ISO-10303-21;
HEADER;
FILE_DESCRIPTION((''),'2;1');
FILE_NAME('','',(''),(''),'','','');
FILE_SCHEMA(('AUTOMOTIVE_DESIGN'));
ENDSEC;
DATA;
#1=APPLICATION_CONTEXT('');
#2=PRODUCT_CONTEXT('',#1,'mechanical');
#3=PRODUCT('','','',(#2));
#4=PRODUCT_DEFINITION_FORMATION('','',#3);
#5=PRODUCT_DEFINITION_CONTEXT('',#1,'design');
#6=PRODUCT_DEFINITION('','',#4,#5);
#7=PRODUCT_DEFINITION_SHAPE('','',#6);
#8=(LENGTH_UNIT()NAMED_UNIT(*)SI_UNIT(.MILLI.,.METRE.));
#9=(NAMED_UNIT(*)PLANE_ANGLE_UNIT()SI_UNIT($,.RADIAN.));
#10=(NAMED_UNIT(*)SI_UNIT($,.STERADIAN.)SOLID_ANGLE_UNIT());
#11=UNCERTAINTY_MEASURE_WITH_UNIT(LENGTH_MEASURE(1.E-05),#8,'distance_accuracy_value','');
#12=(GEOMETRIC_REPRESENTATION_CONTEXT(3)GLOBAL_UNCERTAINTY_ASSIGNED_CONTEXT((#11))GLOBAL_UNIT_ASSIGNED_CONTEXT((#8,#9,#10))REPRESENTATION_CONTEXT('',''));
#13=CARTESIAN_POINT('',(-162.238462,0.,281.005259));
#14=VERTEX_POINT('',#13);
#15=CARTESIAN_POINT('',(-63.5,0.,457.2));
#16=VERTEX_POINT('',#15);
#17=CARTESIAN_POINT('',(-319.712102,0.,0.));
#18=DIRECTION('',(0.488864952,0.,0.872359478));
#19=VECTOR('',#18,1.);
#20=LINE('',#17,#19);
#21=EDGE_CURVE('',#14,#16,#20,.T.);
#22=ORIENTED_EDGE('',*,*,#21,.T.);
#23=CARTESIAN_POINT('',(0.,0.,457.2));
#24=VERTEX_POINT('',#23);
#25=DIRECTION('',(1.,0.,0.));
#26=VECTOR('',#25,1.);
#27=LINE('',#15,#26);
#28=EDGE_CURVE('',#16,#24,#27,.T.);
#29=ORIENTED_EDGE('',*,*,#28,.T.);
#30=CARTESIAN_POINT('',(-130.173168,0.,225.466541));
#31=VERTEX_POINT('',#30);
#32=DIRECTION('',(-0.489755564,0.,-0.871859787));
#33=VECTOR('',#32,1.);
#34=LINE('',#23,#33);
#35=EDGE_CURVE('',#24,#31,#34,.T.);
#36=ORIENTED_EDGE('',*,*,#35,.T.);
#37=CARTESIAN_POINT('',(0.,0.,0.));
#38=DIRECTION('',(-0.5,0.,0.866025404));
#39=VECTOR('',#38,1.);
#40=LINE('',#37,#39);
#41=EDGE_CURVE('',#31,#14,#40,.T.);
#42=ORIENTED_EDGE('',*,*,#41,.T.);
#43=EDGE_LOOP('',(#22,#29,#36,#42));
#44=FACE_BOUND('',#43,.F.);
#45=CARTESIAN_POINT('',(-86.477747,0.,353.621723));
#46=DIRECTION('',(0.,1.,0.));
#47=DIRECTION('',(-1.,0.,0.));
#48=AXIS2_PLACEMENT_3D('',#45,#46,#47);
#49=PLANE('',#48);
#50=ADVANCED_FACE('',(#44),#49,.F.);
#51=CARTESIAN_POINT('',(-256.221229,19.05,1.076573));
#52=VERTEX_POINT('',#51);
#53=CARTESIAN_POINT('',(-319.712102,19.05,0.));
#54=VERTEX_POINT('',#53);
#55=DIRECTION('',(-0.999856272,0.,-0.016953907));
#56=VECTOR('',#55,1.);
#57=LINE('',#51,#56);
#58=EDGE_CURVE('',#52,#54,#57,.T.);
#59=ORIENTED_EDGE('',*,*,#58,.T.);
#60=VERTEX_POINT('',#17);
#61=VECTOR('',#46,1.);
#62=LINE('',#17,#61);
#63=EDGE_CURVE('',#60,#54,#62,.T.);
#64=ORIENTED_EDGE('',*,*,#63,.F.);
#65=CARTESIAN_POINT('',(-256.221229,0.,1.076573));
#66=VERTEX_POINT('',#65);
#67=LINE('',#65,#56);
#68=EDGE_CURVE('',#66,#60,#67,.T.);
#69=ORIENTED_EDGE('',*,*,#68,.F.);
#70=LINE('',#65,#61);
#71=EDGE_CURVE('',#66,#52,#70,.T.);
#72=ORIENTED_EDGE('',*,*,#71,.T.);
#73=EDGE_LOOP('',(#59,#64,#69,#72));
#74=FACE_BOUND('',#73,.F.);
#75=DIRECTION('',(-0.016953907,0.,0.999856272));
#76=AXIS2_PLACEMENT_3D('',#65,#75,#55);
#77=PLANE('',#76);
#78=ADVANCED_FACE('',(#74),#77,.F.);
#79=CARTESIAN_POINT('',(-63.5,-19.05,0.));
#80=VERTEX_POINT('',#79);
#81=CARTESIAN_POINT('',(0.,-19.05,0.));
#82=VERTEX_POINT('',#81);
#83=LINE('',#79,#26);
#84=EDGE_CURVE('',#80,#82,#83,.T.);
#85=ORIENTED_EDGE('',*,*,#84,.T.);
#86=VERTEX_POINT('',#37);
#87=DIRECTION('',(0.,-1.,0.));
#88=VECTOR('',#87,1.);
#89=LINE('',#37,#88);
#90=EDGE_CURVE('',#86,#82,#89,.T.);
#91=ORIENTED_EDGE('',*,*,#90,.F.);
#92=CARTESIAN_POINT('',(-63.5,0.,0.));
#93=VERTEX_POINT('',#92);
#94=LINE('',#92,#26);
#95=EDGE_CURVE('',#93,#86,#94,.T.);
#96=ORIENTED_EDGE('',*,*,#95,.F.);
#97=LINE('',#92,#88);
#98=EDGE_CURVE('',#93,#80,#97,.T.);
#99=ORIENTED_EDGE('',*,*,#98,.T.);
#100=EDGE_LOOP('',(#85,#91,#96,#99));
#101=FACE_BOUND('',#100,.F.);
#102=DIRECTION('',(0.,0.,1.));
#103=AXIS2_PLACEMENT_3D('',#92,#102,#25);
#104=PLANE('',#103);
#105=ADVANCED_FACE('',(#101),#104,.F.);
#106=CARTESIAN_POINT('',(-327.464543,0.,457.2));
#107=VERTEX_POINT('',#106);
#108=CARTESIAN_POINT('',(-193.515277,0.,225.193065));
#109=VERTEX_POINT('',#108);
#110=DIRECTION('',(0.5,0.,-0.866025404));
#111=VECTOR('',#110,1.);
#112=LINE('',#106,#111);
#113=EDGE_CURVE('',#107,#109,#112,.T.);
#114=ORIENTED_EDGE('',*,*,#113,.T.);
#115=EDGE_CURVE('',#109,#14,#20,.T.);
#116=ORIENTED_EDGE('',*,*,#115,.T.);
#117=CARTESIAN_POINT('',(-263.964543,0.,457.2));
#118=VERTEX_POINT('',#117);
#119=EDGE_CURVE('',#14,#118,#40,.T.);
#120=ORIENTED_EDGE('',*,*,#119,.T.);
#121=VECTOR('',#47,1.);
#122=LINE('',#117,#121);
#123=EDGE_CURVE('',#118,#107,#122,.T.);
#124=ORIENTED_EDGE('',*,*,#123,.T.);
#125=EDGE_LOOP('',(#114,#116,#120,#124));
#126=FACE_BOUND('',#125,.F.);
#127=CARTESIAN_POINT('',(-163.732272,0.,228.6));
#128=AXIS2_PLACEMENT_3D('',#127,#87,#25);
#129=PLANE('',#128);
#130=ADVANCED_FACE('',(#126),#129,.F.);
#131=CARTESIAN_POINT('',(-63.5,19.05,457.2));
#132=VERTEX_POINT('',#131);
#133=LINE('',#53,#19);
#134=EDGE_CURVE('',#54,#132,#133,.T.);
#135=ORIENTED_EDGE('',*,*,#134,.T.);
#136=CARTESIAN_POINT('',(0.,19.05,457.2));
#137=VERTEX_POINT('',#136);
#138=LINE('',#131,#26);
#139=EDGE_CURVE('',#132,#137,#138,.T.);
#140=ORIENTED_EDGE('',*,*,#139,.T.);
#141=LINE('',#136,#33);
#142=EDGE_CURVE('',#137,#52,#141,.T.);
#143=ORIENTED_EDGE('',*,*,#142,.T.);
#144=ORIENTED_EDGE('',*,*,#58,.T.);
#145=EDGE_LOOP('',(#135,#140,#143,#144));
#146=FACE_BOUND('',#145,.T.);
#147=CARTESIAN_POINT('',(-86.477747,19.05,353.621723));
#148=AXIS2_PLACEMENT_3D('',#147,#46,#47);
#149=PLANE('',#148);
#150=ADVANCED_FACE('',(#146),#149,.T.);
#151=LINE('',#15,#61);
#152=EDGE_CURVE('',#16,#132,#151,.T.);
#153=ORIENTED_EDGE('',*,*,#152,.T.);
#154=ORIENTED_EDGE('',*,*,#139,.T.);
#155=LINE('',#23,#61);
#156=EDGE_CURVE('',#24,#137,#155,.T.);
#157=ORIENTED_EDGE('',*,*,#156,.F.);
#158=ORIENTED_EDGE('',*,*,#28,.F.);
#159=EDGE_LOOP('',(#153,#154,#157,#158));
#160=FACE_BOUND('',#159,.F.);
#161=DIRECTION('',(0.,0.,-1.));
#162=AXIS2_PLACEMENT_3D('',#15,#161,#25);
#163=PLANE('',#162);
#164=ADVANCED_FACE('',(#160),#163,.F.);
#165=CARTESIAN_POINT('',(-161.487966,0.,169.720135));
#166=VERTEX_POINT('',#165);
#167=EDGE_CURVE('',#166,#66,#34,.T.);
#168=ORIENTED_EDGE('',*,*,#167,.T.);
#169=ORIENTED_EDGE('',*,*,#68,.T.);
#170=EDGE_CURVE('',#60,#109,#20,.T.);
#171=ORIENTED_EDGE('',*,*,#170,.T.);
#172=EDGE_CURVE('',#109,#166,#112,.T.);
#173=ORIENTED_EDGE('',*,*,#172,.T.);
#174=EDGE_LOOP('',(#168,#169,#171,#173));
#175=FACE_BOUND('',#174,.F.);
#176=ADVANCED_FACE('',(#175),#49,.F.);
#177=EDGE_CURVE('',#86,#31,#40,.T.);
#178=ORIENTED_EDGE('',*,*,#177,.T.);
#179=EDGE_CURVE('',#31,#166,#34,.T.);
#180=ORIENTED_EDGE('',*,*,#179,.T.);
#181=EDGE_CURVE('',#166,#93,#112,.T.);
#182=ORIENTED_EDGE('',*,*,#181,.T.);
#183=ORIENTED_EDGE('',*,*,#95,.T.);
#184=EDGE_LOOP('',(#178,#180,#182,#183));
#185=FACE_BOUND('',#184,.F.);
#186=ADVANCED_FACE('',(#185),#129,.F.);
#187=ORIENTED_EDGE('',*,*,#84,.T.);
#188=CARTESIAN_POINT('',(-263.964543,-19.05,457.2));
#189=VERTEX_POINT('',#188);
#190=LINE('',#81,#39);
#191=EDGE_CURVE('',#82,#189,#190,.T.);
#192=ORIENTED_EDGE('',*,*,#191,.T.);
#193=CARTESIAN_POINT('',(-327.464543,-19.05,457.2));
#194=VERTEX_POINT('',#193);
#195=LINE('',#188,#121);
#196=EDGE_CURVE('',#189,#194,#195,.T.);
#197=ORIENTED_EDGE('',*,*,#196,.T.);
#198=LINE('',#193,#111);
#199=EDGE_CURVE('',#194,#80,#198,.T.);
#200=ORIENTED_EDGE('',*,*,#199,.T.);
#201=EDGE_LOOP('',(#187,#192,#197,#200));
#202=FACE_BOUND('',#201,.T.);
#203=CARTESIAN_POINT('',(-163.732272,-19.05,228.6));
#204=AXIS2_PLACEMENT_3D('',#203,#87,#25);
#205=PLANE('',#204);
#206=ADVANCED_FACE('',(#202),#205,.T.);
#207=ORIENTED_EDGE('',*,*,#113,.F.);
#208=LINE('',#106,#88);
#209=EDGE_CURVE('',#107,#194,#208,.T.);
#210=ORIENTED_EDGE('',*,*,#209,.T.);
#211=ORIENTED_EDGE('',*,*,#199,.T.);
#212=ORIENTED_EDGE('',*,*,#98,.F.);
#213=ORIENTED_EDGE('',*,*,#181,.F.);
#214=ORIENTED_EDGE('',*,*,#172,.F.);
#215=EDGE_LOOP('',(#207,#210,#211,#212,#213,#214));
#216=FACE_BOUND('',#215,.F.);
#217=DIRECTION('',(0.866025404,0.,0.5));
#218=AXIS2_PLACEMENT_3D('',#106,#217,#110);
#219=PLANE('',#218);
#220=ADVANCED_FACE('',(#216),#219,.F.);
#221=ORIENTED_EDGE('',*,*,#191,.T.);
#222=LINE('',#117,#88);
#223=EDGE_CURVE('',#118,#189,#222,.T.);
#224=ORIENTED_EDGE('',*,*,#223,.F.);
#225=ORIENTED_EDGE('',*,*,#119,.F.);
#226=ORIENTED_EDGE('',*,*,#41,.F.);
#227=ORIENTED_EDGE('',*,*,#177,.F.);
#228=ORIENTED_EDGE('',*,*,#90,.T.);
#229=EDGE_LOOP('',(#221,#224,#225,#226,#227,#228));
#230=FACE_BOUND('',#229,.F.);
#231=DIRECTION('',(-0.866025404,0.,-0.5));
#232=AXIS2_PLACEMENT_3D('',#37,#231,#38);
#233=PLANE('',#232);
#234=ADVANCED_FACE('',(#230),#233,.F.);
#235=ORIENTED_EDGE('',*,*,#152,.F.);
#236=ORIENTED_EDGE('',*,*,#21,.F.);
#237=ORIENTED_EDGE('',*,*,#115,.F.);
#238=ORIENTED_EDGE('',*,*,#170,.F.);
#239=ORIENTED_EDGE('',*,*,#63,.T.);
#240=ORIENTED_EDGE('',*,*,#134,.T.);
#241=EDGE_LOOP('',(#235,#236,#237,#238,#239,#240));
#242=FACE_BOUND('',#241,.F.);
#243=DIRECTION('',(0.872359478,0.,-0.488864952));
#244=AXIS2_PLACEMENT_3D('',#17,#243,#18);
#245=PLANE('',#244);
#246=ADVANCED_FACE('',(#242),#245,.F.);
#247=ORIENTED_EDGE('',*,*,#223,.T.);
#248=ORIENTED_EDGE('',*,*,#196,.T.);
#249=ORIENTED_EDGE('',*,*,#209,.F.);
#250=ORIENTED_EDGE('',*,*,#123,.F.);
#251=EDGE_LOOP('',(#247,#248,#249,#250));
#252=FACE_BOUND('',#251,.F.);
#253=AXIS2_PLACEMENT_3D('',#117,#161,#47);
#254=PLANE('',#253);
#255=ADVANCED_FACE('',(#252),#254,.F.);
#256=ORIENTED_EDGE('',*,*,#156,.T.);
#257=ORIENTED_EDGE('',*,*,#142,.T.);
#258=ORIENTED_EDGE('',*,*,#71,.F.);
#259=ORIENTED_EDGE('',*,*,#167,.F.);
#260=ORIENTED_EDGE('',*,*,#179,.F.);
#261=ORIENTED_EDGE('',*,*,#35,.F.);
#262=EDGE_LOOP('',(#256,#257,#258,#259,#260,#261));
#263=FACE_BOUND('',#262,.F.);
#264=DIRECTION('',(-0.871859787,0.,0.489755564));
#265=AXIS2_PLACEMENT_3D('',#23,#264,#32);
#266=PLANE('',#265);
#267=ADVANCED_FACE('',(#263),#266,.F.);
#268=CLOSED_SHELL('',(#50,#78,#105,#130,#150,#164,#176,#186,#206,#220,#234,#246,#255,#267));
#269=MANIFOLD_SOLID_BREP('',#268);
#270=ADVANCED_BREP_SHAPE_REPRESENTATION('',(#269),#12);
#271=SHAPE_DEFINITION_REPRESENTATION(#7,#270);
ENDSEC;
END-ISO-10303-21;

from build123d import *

# Parameters (mm, degrees)
F1_DEPTH = 19.05
F3_DEPTH = 19.05


with BuildPart() as f1:
    # F0 (on Front) → F1 (new body)
    with BuildSketch(Plane.XZ):
        Polygon((-63.5, 0), (0, 0), (-263.9645430735, 457.2), (-327.4645430735, 457.2), align=None)
    extrude(amount=F1_DEPTH)

    # F2 (on face) → F3 (join)
    with BuildSketch(Plane(origin=(0, 0, 0), x_dir=(-1, 0, 0), z_dir=(0, 1, 0))):
        Polygon((130.1731683118, 225.4665412982), (162.2384621855, 281.0052594471), (63.5, 457.2), (0, 457.2), align=None)
        Polygon((161.4879657143, 169.7201351475), (193.5152767914, 225.1930651629), (162.2384621855, 281.0052594471), (130.1731683118, 225.4665412982), align=None)
        Polygon((256.2212291294, 1.0765731137), (319.7121024132, 0), (193.5152767914, 225.1930651629), (161.4879657143, 169.7201351475), align=None)
    extrude(amount=F3_DEPTH)


solid = f1.part
